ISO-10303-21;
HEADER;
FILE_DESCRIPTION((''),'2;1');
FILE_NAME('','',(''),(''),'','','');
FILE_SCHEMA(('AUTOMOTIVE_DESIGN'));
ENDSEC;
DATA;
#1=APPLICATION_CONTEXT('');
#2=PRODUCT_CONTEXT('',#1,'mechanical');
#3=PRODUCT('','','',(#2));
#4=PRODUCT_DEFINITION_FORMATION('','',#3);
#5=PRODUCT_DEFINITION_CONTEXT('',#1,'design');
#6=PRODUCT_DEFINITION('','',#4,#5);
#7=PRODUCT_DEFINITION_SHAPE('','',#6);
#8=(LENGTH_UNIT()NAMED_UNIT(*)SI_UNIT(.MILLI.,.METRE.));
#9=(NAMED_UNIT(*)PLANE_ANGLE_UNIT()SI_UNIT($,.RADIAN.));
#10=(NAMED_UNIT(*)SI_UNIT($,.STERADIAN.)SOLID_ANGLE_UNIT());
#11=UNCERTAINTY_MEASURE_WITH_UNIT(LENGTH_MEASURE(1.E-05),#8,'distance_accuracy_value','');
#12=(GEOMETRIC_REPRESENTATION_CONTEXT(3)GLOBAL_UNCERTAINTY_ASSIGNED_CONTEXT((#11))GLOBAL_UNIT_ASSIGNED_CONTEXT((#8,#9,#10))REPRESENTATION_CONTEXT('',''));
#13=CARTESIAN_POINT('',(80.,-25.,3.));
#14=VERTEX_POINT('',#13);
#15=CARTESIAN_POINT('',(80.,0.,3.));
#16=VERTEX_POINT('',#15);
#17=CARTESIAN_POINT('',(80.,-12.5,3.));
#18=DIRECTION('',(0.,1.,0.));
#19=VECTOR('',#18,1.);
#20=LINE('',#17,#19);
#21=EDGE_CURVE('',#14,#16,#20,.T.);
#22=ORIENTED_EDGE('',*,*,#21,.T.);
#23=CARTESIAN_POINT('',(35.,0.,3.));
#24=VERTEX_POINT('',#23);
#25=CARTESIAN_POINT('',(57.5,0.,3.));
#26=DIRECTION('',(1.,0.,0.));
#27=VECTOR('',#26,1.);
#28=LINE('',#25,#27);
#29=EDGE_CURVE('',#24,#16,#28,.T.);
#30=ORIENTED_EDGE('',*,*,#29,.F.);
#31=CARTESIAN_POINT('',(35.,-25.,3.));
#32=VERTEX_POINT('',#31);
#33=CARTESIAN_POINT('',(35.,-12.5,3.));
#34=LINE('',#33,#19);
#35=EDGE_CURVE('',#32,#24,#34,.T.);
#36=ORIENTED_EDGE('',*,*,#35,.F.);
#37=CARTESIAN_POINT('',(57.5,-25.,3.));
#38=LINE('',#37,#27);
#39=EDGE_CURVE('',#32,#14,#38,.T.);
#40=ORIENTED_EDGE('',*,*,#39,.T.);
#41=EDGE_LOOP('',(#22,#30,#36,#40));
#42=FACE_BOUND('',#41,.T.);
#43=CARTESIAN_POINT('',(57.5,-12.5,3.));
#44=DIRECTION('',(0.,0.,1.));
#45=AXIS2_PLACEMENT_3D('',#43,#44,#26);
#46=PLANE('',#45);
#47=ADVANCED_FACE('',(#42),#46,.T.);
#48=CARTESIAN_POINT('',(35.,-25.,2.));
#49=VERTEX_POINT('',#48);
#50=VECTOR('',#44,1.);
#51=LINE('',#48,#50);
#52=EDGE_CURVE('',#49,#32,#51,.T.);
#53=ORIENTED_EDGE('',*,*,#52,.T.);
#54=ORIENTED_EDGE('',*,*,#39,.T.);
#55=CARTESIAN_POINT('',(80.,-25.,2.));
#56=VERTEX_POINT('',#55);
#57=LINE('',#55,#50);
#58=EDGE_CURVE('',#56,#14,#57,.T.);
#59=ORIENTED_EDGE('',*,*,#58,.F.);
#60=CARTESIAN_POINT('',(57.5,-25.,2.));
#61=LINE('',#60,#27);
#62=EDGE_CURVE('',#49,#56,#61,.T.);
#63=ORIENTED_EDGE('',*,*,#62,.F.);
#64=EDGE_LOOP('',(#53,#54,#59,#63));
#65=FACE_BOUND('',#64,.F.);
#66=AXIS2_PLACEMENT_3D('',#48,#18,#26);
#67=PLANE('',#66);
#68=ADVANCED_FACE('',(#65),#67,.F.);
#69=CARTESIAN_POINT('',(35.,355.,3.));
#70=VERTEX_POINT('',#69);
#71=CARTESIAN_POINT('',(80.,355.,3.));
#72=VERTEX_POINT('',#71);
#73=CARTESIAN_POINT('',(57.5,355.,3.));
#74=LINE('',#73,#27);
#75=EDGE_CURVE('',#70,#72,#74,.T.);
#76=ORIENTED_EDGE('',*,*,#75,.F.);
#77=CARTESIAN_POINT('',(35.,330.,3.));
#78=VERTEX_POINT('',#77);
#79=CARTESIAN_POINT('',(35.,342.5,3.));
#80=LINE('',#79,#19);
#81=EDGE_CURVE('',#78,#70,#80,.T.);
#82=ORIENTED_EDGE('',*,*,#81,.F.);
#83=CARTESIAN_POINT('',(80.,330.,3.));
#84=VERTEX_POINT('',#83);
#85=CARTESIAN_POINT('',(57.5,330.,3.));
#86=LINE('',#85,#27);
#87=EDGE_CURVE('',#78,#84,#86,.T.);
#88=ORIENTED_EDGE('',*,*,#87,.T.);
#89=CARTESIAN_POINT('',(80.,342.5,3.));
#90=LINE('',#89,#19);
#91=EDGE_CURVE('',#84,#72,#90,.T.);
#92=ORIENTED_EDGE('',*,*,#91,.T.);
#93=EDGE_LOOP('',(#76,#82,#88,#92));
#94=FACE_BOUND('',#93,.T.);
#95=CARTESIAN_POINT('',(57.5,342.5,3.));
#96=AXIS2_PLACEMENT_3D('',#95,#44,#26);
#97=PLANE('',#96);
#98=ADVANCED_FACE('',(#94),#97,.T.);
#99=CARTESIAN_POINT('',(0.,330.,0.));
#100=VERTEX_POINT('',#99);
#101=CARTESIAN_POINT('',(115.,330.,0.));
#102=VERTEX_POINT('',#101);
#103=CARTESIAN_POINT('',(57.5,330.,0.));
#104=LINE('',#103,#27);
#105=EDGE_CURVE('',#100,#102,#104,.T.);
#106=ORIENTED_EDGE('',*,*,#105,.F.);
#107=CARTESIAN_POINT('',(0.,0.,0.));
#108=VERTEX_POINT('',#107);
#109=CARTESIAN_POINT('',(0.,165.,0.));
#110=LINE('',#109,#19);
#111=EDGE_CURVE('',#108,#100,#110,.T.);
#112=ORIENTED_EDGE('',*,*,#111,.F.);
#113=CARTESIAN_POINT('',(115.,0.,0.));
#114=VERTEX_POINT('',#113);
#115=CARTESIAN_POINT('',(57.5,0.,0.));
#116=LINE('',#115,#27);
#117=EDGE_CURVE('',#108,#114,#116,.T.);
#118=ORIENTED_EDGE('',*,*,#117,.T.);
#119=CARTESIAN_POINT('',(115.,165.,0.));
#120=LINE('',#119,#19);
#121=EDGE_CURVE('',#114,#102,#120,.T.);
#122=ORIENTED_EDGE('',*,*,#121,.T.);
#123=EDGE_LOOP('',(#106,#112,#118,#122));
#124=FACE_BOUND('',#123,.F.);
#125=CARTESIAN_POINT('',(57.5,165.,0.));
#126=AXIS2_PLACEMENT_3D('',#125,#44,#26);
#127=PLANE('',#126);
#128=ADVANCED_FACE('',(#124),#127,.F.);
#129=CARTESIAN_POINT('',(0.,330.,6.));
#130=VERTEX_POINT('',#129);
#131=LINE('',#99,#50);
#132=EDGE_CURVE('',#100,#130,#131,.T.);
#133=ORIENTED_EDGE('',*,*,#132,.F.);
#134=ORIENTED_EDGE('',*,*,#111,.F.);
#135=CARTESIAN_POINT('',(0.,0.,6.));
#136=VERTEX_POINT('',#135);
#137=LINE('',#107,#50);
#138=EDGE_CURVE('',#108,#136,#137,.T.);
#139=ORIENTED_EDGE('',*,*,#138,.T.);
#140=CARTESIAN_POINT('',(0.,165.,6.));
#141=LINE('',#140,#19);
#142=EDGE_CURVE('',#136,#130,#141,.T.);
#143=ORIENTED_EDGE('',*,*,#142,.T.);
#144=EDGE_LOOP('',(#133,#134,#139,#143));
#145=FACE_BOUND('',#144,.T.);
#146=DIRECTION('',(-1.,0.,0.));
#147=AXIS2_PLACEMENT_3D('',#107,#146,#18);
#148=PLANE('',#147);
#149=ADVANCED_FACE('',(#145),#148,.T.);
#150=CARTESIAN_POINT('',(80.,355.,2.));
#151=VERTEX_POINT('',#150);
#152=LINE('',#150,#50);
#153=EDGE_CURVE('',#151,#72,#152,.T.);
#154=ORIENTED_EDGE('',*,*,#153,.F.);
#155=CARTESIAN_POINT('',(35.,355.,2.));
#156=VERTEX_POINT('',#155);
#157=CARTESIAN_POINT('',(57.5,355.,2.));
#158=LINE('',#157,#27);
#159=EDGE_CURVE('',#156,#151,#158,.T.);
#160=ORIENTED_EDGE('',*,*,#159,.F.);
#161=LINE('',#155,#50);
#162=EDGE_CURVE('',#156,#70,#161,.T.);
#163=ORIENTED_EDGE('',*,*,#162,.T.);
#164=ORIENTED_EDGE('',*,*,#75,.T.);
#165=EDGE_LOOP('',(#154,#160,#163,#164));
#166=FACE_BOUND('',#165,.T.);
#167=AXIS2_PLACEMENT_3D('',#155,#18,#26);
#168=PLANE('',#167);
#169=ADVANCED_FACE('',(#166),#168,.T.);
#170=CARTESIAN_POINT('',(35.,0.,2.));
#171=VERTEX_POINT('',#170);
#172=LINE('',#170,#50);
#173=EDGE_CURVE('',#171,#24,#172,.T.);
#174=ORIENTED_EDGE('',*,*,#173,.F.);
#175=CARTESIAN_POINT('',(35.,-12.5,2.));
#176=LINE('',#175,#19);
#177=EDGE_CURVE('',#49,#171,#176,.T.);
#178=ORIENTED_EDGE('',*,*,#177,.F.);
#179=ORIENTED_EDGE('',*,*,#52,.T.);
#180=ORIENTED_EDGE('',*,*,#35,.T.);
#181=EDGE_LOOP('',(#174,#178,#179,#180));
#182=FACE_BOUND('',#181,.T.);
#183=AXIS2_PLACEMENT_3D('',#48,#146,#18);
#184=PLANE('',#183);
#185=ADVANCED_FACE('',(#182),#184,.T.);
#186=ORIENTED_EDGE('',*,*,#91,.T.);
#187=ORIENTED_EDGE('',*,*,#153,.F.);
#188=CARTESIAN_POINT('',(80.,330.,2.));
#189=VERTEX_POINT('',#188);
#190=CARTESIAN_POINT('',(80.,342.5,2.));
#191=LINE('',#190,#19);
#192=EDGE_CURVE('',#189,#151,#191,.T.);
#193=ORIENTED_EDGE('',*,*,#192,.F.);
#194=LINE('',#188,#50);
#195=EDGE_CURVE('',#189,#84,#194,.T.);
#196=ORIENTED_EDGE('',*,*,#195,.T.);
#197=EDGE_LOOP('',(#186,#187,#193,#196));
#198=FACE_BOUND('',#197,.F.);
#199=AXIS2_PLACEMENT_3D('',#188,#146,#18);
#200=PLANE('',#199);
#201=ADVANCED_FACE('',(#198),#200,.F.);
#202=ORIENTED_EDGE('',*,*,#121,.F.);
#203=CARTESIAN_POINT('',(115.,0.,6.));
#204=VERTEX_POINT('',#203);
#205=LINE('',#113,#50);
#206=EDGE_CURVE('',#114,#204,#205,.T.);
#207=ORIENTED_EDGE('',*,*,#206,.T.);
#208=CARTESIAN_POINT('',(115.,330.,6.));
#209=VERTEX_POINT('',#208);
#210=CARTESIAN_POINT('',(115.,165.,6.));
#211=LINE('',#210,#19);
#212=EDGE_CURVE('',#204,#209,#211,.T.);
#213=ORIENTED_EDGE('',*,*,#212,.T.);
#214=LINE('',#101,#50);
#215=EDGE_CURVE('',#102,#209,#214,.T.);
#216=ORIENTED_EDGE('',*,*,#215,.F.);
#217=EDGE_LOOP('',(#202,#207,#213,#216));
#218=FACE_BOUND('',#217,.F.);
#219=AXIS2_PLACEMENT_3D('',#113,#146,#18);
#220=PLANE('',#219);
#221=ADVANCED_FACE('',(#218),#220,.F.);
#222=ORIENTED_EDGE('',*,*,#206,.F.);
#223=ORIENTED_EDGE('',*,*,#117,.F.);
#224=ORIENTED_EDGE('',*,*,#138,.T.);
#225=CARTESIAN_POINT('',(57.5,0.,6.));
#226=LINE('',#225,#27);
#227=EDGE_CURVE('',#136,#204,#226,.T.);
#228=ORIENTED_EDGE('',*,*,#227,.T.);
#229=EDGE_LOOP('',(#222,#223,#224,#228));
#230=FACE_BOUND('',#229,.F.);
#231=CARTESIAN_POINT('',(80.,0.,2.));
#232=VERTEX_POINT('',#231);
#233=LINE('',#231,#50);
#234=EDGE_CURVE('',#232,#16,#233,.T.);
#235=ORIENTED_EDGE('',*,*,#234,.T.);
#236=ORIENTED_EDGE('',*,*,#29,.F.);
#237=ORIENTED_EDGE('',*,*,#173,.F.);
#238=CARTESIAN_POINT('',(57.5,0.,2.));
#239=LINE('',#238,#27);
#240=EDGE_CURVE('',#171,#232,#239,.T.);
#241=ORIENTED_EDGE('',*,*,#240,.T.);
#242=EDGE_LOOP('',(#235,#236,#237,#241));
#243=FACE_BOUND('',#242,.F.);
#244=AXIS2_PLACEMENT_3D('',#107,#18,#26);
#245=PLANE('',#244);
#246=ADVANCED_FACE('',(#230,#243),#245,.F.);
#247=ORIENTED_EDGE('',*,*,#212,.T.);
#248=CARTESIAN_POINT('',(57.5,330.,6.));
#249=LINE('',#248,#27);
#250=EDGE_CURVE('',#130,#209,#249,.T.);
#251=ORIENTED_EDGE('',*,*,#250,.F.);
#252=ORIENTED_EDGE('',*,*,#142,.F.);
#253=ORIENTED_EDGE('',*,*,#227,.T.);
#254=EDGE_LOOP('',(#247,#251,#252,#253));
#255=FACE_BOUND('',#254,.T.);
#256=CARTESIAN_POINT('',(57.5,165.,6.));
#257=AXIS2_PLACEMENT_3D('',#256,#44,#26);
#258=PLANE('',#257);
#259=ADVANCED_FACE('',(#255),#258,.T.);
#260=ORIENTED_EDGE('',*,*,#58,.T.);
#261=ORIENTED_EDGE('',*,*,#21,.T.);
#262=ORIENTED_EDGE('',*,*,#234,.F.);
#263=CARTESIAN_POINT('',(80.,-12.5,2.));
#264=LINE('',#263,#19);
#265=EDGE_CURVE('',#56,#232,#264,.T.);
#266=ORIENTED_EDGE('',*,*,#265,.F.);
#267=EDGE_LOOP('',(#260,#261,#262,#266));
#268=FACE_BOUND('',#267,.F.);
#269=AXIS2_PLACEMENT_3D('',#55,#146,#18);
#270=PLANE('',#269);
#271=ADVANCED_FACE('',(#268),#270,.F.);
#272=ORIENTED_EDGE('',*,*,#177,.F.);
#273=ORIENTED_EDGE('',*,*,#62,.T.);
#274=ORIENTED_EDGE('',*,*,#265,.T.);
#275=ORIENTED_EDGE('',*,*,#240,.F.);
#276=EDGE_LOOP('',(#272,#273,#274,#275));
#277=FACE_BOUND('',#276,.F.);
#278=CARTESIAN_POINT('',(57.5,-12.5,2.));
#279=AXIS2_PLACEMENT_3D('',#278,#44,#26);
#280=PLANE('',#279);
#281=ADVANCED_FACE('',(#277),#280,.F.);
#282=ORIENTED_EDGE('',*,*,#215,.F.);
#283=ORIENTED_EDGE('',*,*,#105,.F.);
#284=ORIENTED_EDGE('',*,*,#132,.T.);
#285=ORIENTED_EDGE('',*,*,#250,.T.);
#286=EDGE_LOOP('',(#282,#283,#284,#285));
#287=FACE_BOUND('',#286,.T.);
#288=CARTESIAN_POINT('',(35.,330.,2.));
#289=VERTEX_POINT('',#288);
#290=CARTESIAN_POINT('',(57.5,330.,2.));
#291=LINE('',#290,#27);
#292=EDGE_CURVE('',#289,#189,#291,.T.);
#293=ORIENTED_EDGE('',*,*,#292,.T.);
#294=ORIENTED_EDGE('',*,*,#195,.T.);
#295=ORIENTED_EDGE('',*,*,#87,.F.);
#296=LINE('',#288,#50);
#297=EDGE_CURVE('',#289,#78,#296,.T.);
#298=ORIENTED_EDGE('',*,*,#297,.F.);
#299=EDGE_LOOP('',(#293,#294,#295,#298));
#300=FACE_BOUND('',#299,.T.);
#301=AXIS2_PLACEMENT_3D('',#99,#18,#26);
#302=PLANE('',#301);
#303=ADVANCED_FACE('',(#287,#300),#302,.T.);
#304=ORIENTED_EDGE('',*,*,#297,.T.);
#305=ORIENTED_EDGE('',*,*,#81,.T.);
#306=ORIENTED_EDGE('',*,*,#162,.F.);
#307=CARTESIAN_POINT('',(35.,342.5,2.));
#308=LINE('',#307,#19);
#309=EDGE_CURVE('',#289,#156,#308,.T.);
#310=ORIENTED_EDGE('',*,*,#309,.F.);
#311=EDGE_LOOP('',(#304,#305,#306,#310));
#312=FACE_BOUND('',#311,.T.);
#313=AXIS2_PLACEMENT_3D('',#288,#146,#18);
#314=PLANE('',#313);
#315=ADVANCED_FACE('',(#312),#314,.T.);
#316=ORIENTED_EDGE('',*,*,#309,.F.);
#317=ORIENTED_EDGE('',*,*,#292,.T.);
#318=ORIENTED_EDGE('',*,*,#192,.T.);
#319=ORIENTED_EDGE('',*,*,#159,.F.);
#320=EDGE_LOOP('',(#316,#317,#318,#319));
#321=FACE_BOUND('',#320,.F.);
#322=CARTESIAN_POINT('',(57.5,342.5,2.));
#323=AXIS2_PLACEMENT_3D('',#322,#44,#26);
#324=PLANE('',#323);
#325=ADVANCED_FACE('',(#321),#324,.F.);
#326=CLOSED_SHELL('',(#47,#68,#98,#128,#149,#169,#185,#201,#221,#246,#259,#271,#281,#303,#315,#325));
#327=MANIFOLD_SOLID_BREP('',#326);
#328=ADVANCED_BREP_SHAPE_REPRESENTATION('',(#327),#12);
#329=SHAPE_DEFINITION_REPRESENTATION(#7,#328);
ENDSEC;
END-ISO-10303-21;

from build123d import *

# Parameters (mm, degrees)
BOX004_W     = 45
BOX004_H     = 25
BOX004_DEPTH = 1
BOX001_W     = 115
BOX001_H     = 330
BOX001_DEPTH = 6
BOX005_W     = 45
BOX005_H     = 25
BOX005_DEPTH = 1


with BuildPart() as box004:
    # Box004 → Box004 (new body)
    with BuildSketch(Plane(origin=(35, -25, 2), x_dir=(1, 0, 0), z_dir=(0, 0, 1))):
        with Locations((22.5, 12.5)):
            Rectangle(BOX004_W, BOX004_H)
    extrude(amount=BOX004_DEPTH)


with BuildPart() as box001:
    # Box001 → Box001 (new body)
    with BuildSketch(Plane.XY):
        with Locations((57.5, 165)):
            Rectangle(BOX001_W, BOX001_H)
    extrude(amount=BOX001_DEPTH)


with BuildPart() as fusion003:
    # Box005 → Box005 (new body)
    with BuildSketch(Plane(origin=(35, 330, 2), x_dir=(1, 0, 0), z_dir=(0, 0, 1))):
        with Locations((22.5, 12.5)):
            Rectangle(BOX005_W, BOX005_H)
    extrude(amount=BOX005_DEPTH)

    # Fusion003: union Box004, Box001
    add(box004.part)
    add(box001.part)


solid = fusion003.part
